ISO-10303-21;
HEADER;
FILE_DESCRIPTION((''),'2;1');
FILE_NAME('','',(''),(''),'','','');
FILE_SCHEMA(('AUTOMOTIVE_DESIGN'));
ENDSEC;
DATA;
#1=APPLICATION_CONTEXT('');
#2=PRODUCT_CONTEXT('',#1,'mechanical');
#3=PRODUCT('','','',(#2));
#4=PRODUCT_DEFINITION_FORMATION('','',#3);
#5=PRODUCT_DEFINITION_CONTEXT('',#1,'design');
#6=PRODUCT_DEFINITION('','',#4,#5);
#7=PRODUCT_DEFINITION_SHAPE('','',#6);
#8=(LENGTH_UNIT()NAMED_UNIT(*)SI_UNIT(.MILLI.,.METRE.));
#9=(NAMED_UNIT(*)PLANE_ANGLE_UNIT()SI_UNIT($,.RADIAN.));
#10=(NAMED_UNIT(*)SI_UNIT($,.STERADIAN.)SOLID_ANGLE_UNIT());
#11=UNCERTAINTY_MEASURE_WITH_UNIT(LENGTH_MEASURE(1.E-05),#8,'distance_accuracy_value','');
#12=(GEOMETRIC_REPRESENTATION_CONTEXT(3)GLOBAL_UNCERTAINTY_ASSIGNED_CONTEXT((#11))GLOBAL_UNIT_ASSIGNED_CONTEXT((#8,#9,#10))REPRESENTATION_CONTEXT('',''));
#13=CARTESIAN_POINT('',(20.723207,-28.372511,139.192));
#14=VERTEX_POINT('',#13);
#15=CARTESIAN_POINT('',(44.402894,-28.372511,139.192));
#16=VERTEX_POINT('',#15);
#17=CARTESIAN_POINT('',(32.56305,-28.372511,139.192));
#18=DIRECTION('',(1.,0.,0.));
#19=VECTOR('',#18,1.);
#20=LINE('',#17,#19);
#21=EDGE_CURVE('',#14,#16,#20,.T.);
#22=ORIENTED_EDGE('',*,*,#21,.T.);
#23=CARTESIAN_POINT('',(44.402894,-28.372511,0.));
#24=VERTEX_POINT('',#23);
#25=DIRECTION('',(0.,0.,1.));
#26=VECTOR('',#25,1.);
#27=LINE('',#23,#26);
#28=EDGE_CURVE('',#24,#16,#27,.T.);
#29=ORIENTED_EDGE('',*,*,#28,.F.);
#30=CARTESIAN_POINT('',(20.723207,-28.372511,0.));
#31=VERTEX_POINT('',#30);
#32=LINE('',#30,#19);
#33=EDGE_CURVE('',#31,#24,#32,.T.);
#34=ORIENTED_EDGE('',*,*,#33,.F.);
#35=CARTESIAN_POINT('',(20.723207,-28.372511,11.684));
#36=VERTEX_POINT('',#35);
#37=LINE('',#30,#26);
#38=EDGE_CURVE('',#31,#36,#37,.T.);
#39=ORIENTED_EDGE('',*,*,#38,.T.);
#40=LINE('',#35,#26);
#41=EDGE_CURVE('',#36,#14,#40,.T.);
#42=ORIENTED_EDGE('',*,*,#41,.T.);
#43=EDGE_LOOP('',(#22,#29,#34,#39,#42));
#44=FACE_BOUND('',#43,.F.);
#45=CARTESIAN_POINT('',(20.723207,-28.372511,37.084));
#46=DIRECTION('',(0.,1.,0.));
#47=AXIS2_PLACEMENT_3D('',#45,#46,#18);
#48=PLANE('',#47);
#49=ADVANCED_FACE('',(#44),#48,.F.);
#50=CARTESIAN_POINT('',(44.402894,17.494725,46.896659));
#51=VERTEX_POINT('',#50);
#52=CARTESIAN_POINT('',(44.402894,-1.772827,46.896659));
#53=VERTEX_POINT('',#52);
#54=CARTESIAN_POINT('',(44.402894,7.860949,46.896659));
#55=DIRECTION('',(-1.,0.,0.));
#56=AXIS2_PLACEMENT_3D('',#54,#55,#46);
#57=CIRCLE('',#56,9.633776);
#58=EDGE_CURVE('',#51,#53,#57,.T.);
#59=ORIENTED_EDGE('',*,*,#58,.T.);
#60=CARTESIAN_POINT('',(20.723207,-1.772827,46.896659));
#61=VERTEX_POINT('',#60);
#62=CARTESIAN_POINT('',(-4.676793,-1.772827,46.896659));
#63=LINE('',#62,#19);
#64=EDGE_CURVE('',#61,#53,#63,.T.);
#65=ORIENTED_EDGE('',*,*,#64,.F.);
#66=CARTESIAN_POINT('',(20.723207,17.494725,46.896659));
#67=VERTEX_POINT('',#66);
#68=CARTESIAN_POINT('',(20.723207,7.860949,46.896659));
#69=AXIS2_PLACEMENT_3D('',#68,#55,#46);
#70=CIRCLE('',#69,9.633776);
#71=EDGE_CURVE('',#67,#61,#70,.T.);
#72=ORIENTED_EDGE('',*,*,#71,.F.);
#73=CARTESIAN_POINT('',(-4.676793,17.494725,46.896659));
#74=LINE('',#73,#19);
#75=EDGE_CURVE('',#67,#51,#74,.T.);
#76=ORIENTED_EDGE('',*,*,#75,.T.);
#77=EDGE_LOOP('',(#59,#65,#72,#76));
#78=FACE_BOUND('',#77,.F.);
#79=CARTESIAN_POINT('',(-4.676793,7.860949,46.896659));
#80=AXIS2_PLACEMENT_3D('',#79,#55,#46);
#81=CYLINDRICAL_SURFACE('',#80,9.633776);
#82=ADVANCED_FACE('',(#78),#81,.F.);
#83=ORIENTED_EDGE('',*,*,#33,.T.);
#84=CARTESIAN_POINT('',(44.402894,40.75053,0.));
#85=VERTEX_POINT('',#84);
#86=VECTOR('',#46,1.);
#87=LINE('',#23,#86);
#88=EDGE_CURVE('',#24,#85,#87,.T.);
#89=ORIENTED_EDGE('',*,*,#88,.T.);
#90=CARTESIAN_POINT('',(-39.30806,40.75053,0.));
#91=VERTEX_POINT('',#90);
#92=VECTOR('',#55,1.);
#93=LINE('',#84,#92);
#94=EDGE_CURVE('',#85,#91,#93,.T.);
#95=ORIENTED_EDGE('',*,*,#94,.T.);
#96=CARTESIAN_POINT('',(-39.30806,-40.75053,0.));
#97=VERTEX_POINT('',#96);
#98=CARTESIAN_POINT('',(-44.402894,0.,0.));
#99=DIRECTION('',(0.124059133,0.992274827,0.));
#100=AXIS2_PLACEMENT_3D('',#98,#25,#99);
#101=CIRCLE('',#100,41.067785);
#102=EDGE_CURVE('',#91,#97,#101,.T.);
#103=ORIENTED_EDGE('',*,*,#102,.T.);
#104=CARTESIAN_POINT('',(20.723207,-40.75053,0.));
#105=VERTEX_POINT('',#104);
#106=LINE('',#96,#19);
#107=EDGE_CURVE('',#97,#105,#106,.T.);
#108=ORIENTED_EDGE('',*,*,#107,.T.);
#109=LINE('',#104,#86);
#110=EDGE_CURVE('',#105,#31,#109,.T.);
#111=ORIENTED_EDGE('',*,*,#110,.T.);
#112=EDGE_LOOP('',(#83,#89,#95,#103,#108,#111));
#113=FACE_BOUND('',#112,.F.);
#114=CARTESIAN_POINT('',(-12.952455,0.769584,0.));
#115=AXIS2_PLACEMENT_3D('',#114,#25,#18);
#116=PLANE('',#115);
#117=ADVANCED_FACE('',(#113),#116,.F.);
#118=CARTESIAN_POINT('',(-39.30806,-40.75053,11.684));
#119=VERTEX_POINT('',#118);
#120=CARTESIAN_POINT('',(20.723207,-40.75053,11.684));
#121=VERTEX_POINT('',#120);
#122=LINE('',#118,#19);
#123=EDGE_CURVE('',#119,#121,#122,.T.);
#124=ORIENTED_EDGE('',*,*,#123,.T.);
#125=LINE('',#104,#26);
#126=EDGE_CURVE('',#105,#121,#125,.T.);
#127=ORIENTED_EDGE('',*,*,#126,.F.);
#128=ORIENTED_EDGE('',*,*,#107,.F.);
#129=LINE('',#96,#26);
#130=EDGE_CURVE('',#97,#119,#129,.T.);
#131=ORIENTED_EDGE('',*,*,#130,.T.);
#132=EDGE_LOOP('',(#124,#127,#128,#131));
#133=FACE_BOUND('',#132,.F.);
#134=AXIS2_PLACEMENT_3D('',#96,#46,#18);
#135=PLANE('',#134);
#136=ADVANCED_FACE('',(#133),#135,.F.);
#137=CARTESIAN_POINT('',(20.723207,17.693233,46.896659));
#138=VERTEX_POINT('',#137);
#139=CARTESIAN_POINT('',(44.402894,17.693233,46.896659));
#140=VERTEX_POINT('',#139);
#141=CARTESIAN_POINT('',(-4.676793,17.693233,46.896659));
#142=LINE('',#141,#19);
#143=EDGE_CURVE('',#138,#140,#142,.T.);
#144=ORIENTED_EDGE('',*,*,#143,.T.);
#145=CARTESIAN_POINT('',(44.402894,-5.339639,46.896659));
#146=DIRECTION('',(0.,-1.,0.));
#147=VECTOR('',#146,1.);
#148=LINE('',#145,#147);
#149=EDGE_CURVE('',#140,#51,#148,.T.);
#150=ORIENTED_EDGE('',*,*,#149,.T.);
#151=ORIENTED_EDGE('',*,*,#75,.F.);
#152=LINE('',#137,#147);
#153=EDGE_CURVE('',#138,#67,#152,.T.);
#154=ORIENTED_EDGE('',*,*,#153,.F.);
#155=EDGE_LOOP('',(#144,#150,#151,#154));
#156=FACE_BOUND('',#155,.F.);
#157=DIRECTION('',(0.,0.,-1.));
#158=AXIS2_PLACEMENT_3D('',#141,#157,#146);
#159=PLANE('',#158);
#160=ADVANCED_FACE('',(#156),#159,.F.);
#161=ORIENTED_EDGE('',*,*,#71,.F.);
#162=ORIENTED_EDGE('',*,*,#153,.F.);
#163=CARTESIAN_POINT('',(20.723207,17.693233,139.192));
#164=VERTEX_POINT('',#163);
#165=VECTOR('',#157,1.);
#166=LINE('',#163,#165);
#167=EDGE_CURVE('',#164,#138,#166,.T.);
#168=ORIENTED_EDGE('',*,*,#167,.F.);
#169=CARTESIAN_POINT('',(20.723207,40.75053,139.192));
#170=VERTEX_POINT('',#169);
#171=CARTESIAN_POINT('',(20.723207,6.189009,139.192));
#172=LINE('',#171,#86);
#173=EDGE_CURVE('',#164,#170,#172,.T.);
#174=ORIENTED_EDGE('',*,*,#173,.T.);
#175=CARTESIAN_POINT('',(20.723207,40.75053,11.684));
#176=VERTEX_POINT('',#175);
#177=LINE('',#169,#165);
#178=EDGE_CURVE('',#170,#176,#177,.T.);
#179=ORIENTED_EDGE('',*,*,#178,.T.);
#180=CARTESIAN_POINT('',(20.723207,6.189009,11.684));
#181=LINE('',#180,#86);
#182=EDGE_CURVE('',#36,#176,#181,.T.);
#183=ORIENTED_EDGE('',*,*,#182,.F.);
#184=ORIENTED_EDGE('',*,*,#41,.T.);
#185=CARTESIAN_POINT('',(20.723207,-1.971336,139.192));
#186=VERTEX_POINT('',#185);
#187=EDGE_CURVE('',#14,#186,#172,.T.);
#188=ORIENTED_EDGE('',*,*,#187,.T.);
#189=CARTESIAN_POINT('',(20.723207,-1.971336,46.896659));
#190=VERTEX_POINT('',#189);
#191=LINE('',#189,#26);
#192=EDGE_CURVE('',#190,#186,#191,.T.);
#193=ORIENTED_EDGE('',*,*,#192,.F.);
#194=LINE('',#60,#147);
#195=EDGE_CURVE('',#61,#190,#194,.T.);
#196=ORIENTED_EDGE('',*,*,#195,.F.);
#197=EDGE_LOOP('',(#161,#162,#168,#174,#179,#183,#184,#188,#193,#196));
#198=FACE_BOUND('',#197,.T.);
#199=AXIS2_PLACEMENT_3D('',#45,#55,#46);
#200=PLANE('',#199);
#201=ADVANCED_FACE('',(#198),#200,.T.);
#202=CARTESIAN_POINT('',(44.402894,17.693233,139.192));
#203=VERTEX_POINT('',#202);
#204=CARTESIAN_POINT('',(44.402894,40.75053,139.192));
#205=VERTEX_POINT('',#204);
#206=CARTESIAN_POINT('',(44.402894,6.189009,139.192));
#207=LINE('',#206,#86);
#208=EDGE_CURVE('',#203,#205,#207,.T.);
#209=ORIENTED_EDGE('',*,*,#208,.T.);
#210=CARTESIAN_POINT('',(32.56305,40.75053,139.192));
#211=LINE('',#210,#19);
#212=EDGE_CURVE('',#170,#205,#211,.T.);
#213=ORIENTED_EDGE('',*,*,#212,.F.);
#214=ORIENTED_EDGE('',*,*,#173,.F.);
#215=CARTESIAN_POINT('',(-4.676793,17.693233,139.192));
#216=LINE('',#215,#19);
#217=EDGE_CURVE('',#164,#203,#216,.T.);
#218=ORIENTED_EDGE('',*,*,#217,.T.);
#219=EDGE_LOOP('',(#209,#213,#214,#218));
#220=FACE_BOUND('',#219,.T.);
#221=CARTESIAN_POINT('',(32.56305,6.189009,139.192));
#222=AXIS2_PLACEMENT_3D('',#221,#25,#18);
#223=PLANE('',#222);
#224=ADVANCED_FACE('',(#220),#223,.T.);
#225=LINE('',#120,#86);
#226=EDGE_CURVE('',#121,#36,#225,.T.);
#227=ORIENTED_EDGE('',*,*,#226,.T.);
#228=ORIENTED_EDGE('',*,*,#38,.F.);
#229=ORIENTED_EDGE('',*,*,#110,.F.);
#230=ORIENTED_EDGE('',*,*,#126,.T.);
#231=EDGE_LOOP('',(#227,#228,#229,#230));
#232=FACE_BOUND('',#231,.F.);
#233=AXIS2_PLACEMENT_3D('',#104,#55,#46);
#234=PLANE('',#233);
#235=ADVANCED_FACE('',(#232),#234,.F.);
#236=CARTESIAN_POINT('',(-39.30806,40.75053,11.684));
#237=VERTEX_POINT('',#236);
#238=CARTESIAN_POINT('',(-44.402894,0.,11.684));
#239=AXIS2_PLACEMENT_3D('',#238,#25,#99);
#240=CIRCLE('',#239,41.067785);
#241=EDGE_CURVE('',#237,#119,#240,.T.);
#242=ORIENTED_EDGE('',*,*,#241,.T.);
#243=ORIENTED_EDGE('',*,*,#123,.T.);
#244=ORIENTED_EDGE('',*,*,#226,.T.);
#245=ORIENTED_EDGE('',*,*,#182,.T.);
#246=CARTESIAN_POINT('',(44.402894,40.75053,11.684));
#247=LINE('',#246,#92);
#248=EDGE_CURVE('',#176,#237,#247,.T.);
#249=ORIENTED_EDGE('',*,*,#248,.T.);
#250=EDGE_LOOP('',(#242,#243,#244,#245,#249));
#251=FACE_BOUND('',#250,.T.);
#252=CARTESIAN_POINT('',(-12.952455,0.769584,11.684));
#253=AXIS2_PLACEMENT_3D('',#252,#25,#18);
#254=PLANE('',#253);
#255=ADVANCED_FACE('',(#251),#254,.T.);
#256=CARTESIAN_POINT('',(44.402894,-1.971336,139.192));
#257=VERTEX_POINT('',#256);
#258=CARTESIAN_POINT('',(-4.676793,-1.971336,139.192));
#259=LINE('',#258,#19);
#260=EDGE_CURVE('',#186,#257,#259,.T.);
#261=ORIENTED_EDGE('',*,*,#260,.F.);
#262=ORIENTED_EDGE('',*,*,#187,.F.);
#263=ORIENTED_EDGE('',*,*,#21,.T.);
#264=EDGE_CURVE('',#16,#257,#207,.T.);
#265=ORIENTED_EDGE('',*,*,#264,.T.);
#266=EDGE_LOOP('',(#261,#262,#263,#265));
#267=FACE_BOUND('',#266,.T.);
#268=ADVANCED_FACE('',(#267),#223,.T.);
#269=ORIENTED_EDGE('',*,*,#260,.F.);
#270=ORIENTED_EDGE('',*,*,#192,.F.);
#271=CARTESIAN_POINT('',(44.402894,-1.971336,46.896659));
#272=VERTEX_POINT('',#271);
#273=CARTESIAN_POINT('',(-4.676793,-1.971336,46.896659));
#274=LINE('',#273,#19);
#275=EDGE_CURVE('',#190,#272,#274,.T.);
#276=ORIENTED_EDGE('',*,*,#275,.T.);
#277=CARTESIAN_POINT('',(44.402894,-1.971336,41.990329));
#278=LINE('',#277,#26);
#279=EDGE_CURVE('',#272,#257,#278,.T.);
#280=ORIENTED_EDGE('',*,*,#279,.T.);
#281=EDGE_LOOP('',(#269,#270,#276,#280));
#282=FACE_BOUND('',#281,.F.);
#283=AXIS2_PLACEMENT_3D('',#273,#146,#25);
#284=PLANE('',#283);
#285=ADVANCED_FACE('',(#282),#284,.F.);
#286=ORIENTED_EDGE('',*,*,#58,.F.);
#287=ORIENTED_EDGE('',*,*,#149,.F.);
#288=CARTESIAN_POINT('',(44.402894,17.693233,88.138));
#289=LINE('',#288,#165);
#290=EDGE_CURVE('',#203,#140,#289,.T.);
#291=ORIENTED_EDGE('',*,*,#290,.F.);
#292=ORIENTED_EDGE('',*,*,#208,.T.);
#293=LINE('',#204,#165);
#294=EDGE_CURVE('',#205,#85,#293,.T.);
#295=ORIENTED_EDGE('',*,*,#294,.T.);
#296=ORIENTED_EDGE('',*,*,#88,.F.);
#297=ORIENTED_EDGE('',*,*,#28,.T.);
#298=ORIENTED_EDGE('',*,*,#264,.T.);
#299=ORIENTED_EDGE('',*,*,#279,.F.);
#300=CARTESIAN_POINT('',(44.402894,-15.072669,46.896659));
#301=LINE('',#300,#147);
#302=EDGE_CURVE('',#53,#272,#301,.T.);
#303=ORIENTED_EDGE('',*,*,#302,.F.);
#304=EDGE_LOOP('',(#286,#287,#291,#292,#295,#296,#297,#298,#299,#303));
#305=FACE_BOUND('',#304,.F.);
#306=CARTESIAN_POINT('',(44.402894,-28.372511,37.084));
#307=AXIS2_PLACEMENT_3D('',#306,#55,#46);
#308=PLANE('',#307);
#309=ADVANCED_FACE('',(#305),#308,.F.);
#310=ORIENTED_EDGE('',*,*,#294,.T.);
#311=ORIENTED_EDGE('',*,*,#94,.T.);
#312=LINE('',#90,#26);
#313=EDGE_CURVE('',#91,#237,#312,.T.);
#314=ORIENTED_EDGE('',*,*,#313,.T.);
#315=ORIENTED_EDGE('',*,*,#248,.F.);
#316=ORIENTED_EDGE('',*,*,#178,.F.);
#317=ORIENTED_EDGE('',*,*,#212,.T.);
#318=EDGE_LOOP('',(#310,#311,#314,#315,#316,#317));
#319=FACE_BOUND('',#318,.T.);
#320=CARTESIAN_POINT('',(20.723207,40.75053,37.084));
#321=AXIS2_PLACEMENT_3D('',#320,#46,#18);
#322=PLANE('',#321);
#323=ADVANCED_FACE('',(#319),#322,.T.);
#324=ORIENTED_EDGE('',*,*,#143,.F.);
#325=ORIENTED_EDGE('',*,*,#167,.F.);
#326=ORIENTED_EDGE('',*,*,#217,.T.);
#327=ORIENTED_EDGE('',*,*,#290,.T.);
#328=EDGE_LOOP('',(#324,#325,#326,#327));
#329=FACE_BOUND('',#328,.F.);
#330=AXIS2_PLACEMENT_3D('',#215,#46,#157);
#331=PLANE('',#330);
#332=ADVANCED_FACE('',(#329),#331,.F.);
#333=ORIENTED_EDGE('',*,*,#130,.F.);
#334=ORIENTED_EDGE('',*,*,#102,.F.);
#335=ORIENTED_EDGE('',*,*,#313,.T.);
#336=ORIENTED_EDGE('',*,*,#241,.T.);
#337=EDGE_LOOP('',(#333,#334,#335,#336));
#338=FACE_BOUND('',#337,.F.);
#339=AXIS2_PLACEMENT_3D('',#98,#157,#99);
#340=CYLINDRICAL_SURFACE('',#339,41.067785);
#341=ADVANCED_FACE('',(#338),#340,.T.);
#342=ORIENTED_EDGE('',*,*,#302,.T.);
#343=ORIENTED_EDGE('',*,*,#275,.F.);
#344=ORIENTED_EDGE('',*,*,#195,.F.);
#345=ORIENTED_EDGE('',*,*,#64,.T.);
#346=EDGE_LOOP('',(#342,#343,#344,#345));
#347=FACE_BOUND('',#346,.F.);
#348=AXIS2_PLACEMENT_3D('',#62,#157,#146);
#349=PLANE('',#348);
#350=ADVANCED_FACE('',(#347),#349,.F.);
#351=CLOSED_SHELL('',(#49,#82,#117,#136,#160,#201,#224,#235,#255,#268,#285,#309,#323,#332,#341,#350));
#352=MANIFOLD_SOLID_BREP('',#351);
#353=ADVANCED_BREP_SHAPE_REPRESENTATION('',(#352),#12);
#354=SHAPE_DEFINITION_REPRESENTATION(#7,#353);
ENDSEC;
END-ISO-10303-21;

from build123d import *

# Parameters (mm, degrees)
F2_DEPTH = 11.684
F3_W     = 23.6796867102
F3_H     = 69.1230408847
F4_DEPTH = 25.4
F5_DEPTH = 102.108
F7_DEPTH = 25.4
F8_DEPTH = 110.49


with BuildPart() as f2:
    # F0 (on Top) → F2 (new body)
    with BuildSketch(Plane.XY):
        with BuildLine():
            Line((-39.3080597717, -40.7505296171), (20.7232069224, -40.7505296171))
            Line((20.7232069224, -40.7505296171), (20.7232069224, -28.3725112677))
            Line((20.7232069224, -28.3725112677), (44.4028936327, -28.3725112677))
            Line((44.4028936327, -28.3725112677), (44.4028936327, 40.7505296171))
            Line((44.4028936327, 40.7505296171), (-39.3080597717, 40.7505296171))
            ThreePointArc((-39.3080597717, 40.7505296171), (-85.4706790142, 0), (-39.3080597717, -40.7505296171))
        make_face()
    extrude(amount=F2_DEPTH)

    # F3 (on face) → F4 (join)
    with BuildSketch(Plane.XY.offset(11.684)):
        with Locations((32.5630502775, 6.1890091747)):
            Rectangle(F3_W, F3_H)
    extrude(amount=F4_DEPTH)

    # F5 (add): a face of the model
    f5_faces = [f2.faces().sort_by_distance(p)[0] for p in [
        (32.5630502775, 6.1890091747, 37.084),
    ]]
    extrude(f5_faces, amount=F5_DEPTH)

    # F6 (on face) → F7 (join)
    with BuildSketch(Plane(origin=(20.7232069224, 0, 0), x_dir=(0, -1, 0), z_dir=(-1, 0, 0))):
        with BuildLine():
            Line((1.971335616, 139.192), (-17.6932327449, 139.192))
            Line((-17.6932327449, 139.192), (-17.6932327449, 46.8966588378))
            Line((-17.6932327449, 46.8966588378), (-17.4947245486, 46.8966588378))
            ThreePointArc((-17.4947245486, 46.8966588378), (-7.8609485645, 37.2628828536), (1.7728274197, 46.8966588378))
            Line((1.7728274197, 46.8966588378), (1.971335616, 46.8966588378))
            Line((1.971335616, 46.8966588378), (1.971335616, 139.192))
        make_face()
    extrude(amount=F7_DEPTH)

    # F8 (cut): a face of the model
    f8_faces = [f2.faces().sort_by_distance(p)[0] for p in [
        (-4.6767930776, 7.8609485645, 89.3091389319),
    ]]
    extrude(f8_faces, amount=-F8_DEPTH, mode=Mode.SUBTRACT)


solid = f2.part
